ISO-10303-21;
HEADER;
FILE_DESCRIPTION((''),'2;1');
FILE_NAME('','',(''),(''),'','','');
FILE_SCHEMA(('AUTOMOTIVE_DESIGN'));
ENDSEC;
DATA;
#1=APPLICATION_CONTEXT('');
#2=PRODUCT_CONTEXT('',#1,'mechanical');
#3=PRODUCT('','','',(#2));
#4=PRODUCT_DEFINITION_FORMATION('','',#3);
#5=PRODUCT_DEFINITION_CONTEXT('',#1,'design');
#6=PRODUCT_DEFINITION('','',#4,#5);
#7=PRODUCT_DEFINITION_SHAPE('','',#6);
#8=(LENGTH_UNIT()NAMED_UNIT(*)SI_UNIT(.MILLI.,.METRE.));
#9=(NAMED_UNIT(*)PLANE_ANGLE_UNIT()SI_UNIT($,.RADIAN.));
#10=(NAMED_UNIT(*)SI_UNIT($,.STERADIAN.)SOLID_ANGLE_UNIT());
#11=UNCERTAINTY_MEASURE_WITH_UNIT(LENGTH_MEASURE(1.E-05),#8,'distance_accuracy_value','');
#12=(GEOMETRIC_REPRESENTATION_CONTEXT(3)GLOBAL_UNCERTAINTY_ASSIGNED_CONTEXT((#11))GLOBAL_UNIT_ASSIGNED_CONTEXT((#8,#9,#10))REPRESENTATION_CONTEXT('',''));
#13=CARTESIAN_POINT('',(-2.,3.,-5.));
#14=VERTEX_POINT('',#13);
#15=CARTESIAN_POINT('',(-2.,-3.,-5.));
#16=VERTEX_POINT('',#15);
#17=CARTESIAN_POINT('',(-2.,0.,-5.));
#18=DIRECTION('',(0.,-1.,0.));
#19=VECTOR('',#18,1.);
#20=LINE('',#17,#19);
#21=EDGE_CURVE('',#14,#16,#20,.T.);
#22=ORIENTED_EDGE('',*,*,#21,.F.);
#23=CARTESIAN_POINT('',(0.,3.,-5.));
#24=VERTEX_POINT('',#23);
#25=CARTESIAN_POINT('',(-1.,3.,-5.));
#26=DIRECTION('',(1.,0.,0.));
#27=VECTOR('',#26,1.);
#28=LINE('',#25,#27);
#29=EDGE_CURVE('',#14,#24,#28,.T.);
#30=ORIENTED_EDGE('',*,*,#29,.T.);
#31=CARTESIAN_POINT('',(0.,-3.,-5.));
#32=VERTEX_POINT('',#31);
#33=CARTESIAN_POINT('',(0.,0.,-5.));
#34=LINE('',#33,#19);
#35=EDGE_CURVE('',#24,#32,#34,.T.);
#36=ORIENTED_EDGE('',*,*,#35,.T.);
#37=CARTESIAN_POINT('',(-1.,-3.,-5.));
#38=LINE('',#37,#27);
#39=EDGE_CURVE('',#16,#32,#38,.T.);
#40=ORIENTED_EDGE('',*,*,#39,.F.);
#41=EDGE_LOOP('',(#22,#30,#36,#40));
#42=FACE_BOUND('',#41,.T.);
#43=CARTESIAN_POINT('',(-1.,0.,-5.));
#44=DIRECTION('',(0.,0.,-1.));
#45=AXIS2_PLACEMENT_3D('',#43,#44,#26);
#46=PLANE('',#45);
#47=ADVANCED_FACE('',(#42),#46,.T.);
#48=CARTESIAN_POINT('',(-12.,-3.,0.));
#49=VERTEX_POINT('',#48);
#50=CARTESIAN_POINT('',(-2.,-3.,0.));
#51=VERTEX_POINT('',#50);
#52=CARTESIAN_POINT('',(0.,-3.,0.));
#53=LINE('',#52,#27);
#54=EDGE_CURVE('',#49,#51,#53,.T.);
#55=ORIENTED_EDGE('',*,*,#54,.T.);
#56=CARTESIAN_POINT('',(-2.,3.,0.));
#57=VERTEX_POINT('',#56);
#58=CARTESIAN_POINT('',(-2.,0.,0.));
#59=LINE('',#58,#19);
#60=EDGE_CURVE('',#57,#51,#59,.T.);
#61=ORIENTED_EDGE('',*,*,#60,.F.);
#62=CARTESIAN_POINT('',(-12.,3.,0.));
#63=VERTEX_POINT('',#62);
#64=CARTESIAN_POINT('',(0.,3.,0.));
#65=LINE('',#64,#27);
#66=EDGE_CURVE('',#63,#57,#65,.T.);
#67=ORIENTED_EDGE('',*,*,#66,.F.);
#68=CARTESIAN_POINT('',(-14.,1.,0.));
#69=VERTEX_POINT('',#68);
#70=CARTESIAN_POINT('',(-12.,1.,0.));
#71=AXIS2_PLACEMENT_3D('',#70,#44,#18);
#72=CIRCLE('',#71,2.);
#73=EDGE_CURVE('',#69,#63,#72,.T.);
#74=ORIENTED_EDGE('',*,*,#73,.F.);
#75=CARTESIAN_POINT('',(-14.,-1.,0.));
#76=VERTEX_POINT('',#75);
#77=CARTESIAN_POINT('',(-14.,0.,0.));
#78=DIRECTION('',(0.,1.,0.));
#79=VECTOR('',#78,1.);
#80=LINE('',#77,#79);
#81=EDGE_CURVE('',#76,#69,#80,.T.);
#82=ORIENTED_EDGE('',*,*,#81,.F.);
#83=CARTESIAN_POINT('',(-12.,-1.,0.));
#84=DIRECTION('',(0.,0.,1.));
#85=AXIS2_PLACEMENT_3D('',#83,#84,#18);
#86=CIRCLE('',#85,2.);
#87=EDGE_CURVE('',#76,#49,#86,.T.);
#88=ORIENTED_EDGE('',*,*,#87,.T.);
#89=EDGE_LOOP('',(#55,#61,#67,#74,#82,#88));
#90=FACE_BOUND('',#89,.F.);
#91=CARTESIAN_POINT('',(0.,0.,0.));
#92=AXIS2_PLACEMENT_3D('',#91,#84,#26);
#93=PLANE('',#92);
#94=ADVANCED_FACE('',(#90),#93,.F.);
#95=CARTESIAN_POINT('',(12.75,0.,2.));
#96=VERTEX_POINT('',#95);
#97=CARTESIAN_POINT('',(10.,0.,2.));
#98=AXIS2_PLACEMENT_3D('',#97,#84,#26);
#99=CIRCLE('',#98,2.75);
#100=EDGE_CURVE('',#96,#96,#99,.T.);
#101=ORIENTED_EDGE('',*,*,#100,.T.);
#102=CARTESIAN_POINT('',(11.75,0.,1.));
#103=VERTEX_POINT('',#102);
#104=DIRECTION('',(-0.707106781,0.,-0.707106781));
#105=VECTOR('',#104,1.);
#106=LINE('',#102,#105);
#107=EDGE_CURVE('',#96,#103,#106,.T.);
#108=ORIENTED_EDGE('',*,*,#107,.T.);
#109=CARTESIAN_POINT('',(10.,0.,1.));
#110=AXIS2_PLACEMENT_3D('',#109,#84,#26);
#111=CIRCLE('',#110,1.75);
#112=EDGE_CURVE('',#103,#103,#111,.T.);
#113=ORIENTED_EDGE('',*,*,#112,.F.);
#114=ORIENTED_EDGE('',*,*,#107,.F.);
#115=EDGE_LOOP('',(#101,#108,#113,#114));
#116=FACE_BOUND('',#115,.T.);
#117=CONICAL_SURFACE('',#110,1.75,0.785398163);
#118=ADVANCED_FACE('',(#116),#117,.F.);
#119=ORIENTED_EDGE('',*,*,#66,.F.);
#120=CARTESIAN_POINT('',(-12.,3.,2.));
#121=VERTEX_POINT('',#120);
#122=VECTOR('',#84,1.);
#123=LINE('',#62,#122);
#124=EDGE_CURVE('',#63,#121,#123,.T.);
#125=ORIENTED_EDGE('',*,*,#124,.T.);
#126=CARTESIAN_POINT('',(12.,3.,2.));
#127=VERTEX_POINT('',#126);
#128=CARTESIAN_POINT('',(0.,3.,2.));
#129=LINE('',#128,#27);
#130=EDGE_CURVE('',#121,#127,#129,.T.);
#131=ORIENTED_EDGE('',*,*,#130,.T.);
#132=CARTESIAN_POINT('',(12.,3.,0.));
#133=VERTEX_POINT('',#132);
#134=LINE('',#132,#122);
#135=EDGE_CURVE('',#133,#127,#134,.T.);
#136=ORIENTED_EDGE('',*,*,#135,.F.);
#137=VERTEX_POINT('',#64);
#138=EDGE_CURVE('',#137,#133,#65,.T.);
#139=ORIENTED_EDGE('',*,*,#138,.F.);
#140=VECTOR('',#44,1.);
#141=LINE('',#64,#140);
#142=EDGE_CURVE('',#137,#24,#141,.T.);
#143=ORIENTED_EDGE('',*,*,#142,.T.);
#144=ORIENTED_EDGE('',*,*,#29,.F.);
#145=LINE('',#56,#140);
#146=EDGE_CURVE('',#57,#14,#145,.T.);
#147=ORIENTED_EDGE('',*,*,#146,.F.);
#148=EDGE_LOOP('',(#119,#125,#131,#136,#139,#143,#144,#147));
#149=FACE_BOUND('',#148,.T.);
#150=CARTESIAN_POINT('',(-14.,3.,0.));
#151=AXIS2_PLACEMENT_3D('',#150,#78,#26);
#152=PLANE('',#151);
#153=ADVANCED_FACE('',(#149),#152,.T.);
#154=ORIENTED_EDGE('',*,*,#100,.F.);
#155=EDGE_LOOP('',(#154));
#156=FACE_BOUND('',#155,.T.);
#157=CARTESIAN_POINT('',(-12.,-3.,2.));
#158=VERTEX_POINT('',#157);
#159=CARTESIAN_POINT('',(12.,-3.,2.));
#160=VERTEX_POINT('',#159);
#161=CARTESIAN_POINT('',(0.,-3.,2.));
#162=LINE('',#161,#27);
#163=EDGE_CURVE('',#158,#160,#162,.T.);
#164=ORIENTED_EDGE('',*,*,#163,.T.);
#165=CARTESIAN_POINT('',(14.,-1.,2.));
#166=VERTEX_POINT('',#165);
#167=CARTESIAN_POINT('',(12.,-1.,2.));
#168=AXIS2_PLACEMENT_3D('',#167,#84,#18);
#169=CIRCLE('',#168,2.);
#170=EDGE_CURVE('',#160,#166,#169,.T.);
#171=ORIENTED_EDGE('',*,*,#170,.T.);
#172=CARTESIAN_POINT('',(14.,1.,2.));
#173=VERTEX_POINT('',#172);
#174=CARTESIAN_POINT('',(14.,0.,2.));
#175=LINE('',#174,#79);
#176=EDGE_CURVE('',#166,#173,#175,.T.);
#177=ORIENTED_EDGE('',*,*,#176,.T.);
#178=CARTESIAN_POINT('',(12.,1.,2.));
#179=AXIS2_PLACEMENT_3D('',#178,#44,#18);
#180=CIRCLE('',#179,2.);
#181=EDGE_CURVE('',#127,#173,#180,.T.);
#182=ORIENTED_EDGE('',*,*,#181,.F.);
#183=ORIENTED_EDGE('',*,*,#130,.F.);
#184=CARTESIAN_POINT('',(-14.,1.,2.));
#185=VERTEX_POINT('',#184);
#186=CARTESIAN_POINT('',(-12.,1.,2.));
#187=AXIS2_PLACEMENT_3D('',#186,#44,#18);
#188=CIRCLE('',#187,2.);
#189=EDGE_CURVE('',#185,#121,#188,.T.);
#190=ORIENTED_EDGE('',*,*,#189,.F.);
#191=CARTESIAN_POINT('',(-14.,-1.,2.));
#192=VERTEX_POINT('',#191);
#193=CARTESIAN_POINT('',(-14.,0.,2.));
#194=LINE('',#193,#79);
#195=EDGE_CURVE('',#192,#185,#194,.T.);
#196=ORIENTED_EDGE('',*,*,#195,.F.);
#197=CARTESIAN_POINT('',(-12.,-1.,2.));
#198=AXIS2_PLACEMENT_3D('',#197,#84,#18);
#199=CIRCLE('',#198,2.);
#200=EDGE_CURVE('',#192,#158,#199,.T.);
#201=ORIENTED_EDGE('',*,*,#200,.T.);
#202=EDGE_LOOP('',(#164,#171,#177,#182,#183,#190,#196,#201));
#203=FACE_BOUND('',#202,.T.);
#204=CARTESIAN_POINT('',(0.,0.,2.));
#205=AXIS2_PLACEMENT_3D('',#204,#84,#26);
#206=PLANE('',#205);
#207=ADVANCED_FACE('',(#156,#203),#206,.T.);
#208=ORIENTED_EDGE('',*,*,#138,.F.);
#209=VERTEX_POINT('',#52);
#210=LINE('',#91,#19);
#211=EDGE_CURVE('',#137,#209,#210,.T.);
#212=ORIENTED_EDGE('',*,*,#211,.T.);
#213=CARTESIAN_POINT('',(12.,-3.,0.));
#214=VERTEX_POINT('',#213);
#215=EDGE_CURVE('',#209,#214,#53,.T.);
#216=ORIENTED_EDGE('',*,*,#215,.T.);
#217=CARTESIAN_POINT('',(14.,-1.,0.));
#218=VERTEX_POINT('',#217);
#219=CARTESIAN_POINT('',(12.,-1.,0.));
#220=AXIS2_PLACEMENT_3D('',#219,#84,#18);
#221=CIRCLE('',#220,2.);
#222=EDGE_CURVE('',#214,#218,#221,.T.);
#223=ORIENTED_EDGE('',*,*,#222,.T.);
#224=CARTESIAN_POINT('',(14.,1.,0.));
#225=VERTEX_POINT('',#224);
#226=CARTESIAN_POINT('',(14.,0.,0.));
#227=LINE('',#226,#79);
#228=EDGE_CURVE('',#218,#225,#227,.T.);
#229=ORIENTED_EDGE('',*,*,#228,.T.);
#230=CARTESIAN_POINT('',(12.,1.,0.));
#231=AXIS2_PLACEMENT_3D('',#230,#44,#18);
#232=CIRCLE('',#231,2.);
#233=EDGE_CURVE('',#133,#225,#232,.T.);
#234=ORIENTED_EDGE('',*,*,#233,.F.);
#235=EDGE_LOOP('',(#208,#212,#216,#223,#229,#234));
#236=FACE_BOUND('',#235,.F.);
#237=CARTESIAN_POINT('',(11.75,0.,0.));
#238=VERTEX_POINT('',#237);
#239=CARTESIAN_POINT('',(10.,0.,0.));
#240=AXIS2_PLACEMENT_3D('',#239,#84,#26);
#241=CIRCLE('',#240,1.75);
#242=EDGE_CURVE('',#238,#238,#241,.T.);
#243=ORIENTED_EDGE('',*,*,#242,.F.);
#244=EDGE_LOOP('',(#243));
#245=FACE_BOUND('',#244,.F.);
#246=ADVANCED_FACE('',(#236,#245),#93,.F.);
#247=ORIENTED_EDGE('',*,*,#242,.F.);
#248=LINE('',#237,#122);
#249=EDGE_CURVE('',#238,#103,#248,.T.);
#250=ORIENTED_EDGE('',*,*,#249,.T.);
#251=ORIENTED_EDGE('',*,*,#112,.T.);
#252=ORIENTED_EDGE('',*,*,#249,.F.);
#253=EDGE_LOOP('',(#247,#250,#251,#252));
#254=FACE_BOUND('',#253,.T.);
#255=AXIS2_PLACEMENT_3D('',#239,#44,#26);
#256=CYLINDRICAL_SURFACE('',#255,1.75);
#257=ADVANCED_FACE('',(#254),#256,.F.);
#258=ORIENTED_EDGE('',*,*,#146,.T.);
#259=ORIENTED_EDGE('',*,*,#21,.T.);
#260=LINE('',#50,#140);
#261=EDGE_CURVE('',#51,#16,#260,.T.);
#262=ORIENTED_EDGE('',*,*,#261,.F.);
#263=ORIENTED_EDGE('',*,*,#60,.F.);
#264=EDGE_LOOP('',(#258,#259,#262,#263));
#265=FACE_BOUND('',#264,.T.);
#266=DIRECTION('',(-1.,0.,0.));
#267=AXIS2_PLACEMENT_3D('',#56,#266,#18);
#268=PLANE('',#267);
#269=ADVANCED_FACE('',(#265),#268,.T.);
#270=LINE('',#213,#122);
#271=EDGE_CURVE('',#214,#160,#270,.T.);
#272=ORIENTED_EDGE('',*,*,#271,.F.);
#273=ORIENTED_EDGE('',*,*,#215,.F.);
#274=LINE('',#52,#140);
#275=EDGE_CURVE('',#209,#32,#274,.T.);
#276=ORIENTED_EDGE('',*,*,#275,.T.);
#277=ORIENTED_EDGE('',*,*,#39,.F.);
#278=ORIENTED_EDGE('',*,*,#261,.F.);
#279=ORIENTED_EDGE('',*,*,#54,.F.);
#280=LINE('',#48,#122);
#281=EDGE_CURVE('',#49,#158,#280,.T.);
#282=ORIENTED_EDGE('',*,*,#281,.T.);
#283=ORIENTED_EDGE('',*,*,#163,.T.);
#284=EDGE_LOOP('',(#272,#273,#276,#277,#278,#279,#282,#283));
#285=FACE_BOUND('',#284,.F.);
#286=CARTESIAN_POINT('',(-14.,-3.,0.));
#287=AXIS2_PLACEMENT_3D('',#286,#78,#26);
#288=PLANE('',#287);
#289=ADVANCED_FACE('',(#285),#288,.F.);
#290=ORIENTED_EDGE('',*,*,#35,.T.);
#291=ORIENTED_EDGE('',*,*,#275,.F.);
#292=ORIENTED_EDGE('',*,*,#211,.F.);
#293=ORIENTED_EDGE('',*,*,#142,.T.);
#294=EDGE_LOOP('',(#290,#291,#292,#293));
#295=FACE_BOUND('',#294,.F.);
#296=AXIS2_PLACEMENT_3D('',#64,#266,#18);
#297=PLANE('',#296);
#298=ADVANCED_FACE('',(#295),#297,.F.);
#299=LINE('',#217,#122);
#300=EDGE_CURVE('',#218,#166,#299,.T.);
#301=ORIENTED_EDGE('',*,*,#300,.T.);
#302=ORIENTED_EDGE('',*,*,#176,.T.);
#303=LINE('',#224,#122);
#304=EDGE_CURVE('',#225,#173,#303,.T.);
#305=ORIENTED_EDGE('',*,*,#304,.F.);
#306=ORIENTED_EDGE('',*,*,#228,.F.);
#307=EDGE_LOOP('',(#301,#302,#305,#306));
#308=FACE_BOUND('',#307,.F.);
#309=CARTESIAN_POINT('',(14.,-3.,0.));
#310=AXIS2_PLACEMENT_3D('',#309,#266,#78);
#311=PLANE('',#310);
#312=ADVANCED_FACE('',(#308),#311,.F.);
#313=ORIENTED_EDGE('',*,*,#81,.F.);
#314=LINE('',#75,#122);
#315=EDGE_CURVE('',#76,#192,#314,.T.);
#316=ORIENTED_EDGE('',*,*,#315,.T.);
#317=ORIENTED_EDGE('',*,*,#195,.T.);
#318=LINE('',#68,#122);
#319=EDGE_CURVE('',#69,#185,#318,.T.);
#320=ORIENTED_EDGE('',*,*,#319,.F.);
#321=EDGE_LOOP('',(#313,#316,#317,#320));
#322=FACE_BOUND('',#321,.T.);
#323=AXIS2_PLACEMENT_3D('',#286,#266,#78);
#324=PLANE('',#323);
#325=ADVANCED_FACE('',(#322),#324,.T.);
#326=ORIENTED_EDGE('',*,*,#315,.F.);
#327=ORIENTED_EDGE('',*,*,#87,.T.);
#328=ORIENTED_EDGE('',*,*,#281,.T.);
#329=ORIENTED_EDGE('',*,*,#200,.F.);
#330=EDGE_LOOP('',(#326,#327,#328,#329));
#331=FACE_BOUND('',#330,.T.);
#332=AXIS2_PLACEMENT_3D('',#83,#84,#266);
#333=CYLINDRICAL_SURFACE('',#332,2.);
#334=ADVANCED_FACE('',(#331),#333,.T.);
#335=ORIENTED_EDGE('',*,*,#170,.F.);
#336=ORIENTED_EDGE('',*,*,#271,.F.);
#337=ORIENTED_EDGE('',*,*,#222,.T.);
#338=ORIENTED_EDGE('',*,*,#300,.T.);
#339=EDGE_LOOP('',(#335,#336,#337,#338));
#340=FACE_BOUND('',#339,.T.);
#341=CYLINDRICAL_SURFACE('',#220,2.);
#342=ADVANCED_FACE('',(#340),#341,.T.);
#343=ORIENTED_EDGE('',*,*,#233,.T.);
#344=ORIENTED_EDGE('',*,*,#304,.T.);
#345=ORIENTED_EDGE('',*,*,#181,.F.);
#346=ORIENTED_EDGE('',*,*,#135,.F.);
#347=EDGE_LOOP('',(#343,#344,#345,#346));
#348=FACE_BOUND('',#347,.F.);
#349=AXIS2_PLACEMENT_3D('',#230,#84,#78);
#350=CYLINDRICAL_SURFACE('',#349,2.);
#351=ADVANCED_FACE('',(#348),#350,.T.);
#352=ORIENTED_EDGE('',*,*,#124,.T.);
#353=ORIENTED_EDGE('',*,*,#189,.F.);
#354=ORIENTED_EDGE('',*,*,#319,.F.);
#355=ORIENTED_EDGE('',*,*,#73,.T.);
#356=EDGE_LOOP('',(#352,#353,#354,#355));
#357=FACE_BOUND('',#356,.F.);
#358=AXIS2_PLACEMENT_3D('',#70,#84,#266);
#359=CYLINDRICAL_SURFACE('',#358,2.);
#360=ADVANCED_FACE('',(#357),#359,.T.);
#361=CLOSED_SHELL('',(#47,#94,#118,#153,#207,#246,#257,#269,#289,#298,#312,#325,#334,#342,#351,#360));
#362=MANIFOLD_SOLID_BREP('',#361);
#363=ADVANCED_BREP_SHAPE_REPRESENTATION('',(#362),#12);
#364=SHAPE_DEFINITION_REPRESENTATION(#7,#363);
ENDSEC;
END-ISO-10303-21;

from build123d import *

# Parameters (mm, degrees)
F0_W     = 28
F0_H     = 6
F0_R     = 1.75
F1_DEPTH = 2
F2_W     = 2
F2_H     = 6
F3_DEPTH = 5
F4_SIZE  = 1
F5_R     = 2


with BuildPart() as f1:
    # F0 (on Top) → F1 (new body)
    with BuildSketch(Plane.XY):
        Rectangle(F0_W, F0_H)
        with Locations((10, 0)):
            Circle(F0_R, mode=Mode.SUBTRACT)
    extrude(amount=F1_DEPTH)

    # F2 (on face) → F3 (join)
    with BuildSketch(Plane(origin=(0, 0, 0), x_dir=(1, 0, 0), z_dir=(0, 0, -1))):
        with Locations((-1, 0)):
            Rectangle(F2_W, F2_H)
    extrude(amount=F3_DEPTH)

    # F4
    f4_edges = [f1.edges().sort_by_distance(p)[0] for p in [
        (8.25, 0, 2),
    ]]
    chamfer(f4_edges, length=F4_SIZE)

    # F5
    f5_edges = [f1.edges().sort_by_distance(p)[0] for p in [
        (14, -3, 1),
        (-14, -3, 1),
        (-14, 3, 1),
        (14, 3, 1),
    ]]
    fillet(f5_edges, radius=F5_R)


solid = f1.part
